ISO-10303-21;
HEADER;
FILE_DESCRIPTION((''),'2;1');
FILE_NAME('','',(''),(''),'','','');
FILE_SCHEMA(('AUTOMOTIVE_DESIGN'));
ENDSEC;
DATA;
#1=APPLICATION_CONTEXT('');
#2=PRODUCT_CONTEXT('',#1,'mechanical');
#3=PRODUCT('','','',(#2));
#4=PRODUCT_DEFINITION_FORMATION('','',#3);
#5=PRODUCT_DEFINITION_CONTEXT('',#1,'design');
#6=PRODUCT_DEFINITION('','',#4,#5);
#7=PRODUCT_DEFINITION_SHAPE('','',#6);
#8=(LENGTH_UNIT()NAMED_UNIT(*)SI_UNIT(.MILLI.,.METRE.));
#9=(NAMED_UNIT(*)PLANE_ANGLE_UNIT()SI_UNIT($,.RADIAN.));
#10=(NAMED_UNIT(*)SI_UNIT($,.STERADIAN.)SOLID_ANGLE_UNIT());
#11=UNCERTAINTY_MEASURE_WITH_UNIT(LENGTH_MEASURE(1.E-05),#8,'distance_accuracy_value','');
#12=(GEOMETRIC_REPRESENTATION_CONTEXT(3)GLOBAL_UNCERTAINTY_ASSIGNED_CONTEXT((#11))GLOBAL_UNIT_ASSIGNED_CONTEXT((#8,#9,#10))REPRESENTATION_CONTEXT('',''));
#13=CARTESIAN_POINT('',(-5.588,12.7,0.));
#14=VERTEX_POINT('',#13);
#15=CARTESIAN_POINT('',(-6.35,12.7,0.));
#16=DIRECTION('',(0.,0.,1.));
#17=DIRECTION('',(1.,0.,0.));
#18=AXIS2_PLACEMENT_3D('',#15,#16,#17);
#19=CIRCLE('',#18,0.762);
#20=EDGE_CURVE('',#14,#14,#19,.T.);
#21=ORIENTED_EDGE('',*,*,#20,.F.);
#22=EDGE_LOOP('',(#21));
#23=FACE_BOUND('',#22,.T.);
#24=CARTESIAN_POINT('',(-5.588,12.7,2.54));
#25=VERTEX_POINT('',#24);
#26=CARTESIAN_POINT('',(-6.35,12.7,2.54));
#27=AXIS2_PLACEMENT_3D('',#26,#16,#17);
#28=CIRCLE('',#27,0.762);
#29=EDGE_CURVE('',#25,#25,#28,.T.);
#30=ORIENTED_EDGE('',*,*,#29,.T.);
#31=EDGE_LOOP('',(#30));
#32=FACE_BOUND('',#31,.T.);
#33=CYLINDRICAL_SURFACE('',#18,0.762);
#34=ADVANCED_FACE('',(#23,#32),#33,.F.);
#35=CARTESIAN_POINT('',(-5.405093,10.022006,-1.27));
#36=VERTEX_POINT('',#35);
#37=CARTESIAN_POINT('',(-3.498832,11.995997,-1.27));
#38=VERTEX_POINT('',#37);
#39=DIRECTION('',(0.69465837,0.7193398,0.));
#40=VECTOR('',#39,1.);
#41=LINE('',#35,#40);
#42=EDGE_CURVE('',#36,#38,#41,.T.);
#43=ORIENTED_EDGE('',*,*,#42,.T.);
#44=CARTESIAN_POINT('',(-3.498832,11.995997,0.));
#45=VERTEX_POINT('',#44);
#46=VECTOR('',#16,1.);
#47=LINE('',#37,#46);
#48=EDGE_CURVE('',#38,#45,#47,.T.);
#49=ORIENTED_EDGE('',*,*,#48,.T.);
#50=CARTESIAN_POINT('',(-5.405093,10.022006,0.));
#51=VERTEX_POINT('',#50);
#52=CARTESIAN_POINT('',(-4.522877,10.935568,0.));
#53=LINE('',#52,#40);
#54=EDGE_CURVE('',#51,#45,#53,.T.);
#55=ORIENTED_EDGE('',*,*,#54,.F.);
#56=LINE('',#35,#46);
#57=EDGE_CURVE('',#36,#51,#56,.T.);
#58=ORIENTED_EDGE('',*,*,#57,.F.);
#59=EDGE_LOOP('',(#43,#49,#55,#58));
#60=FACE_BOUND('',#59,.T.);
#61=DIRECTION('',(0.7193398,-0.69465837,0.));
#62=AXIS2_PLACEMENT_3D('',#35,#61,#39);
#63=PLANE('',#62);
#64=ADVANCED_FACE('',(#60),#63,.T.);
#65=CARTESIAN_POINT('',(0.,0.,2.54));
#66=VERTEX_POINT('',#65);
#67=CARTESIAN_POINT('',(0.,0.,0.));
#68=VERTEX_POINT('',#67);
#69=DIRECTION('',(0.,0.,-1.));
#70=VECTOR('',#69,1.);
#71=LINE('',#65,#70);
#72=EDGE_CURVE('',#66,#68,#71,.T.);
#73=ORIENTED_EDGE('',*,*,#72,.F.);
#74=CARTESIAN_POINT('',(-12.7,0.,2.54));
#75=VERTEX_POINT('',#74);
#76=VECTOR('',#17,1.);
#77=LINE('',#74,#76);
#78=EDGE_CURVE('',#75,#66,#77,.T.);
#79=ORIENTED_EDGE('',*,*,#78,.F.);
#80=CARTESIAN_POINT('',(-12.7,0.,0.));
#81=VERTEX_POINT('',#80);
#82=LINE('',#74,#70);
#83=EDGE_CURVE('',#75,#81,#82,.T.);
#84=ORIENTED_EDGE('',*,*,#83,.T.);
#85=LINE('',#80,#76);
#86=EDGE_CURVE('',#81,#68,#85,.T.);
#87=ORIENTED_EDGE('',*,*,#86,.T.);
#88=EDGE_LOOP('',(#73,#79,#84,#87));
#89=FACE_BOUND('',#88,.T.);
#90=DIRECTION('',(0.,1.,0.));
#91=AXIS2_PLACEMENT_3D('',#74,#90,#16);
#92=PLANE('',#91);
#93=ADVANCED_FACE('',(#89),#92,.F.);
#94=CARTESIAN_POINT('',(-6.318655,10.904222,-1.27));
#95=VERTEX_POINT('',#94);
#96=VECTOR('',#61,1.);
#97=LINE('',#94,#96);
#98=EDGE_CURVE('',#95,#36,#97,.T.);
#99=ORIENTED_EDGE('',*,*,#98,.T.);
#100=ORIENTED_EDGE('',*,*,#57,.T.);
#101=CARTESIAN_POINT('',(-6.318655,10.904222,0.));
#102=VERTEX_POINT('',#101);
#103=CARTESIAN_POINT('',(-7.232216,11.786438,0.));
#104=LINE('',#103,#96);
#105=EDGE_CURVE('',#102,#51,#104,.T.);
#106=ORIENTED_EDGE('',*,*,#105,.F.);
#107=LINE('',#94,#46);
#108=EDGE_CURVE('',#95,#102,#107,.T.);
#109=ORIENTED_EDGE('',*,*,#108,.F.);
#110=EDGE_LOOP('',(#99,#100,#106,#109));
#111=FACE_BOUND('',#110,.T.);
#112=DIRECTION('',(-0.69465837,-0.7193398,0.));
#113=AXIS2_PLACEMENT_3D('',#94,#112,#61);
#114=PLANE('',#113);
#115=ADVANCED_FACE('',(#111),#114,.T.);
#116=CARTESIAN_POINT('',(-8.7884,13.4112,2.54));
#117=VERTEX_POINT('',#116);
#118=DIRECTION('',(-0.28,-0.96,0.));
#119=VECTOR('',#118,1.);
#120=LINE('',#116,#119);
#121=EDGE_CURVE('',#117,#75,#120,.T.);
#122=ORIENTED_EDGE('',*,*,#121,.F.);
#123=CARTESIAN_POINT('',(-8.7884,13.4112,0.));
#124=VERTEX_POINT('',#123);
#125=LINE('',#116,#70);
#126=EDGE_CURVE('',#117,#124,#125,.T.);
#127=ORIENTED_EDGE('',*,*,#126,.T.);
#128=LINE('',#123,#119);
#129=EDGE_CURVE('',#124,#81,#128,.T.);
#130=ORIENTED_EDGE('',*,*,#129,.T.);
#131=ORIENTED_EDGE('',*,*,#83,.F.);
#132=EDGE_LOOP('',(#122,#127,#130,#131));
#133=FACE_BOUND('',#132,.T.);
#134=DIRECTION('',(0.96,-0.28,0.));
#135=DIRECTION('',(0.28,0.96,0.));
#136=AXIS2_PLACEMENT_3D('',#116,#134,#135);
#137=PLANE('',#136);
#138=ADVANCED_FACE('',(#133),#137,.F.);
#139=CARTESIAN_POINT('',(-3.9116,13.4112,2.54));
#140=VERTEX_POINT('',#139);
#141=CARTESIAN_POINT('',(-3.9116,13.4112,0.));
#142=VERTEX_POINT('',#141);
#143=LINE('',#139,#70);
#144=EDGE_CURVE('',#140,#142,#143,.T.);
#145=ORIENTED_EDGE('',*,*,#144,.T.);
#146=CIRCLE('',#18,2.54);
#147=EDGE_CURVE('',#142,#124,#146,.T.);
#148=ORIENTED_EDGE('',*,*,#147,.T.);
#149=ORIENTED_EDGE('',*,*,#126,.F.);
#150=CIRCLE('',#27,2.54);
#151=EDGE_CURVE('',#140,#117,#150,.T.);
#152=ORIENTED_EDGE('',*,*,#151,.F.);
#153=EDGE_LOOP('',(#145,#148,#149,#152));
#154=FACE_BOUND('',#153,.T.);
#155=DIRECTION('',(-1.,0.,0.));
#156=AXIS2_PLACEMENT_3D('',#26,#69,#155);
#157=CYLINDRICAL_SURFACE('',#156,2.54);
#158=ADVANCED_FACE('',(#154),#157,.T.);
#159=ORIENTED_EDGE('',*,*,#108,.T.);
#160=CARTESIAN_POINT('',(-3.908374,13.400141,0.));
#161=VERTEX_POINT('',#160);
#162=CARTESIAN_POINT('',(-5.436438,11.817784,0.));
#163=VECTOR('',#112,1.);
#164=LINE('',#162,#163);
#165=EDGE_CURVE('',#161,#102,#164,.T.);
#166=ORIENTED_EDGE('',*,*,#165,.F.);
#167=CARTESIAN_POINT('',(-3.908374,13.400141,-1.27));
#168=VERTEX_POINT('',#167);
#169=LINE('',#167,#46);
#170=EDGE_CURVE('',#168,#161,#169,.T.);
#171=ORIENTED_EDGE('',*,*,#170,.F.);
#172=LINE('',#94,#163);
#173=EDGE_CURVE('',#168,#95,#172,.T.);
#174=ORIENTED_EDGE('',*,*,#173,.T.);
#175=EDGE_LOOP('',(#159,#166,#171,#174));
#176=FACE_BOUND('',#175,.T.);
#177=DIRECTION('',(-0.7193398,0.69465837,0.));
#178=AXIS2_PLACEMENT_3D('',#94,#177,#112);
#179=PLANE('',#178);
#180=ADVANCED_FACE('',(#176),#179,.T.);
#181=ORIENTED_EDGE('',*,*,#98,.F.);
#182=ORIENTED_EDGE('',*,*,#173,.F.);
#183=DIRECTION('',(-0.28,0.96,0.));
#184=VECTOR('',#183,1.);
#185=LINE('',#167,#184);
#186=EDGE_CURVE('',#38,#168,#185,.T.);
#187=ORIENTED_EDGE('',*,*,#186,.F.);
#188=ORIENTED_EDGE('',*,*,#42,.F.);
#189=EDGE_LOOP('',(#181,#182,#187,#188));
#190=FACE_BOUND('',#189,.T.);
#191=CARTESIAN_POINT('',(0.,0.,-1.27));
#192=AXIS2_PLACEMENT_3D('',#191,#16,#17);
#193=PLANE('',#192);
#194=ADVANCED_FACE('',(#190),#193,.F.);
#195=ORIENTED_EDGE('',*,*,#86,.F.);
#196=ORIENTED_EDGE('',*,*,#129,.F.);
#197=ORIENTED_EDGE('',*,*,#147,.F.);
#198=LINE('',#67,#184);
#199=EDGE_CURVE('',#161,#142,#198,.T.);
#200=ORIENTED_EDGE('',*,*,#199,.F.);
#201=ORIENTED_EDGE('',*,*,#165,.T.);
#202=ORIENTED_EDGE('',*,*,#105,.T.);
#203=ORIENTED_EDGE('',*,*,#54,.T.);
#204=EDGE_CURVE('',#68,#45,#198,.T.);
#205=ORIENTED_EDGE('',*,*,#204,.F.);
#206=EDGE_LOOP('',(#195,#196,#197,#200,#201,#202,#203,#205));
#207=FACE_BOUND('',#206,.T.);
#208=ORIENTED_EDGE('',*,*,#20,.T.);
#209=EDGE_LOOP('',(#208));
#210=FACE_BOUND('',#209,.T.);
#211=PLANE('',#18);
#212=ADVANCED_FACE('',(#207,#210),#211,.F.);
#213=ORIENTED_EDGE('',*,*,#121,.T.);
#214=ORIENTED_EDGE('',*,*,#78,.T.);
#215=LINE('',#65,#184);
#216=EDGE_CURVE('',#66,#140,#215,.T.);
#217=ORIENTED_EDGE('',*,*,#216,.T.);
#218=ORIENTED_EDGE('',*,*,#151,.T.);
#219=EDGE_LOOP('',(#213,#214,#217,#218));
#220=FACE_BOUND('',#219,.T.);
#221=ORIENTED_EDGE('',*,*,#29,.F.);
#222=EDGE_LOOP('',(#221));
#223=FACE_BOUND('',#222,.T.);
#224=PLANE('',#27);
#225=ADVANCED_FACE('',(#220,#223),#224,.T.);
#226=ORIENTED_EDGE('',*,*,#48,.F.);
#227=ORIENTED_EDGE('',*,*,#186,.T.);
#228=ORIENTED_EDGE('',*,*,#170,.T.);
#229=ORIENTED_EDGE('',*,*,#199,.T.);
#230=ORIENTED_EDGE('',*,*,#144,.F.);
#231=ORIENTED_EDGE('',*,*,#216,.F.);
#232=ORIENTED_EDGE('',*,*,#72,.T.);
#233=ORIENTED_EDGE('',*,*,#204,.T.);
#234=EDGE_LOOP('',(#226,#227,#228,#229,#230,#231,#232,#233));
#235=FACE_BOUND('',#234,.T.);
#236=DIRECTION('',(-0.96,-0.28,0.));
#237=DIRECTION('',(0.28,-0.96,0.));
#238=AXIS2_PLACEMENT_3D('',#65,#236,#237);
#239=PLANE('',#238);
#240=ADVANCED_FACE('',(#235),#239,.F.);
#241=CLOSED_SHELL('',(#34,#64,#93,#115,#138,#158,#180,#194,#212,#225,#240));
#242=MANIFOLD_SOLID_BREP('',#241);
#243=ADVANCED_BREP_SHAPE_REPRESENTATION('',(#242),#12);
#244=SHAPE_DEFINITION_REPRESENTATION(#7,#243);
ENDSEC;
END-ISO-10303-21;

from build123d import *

# Parameters (mm, degrees)
BOSS_EXTRUDE1_DEPTH = 2.54
BOSS_EXTRUDE2_DEPTH = 3.81
SKETCH3_R           = 0.762
CUT_EXTRUDE1_DEPTH  = 2.54


with BuildPart() as part:
    # Sketch1 → Boss-Extrude1 (new body)
    with BuildSketch(Plane.XY):
        with BuildLine():
            Line((-8.7884, 13.4112), (-12.7, 0))
            Line((-12.7, 0), (0, 0))
            Line((0, 0), (-3.9116, 13.4112))
            ThreePointArc((-3.9116, 13.4112), (-6.35, 15.24), (-8.7884, 13.4112))
        make_face()
    extrude(amount=BOSS_EXTRUDE1_DEPTH)

    # Sketch5 → Boss-Extrude2 (add)
    with BuildSketch(Plane.XY.offset(2.54)):
        Polygon((-6.318654584, 10.904222323), (-3.908374337, 13.400140584), (-3.498832415, 11.995996853), (-5.405093038, 10.022006193), align=None)
    extrude(amount=-BOSS_EXTRUDE2_DEPTH)

    # Sketch3 → Cut-Extrude1 (cut)
    with BuildSketch(Plane.XY.offset(2.54)):
        with Locations((-6.35, 12.7)):
            Circle(SKETCH3_R)
    extrude(amount=-CUT_EXTRUDE1_DEPTH, mode=Mode.SUBTRACT)


solid = part.part
